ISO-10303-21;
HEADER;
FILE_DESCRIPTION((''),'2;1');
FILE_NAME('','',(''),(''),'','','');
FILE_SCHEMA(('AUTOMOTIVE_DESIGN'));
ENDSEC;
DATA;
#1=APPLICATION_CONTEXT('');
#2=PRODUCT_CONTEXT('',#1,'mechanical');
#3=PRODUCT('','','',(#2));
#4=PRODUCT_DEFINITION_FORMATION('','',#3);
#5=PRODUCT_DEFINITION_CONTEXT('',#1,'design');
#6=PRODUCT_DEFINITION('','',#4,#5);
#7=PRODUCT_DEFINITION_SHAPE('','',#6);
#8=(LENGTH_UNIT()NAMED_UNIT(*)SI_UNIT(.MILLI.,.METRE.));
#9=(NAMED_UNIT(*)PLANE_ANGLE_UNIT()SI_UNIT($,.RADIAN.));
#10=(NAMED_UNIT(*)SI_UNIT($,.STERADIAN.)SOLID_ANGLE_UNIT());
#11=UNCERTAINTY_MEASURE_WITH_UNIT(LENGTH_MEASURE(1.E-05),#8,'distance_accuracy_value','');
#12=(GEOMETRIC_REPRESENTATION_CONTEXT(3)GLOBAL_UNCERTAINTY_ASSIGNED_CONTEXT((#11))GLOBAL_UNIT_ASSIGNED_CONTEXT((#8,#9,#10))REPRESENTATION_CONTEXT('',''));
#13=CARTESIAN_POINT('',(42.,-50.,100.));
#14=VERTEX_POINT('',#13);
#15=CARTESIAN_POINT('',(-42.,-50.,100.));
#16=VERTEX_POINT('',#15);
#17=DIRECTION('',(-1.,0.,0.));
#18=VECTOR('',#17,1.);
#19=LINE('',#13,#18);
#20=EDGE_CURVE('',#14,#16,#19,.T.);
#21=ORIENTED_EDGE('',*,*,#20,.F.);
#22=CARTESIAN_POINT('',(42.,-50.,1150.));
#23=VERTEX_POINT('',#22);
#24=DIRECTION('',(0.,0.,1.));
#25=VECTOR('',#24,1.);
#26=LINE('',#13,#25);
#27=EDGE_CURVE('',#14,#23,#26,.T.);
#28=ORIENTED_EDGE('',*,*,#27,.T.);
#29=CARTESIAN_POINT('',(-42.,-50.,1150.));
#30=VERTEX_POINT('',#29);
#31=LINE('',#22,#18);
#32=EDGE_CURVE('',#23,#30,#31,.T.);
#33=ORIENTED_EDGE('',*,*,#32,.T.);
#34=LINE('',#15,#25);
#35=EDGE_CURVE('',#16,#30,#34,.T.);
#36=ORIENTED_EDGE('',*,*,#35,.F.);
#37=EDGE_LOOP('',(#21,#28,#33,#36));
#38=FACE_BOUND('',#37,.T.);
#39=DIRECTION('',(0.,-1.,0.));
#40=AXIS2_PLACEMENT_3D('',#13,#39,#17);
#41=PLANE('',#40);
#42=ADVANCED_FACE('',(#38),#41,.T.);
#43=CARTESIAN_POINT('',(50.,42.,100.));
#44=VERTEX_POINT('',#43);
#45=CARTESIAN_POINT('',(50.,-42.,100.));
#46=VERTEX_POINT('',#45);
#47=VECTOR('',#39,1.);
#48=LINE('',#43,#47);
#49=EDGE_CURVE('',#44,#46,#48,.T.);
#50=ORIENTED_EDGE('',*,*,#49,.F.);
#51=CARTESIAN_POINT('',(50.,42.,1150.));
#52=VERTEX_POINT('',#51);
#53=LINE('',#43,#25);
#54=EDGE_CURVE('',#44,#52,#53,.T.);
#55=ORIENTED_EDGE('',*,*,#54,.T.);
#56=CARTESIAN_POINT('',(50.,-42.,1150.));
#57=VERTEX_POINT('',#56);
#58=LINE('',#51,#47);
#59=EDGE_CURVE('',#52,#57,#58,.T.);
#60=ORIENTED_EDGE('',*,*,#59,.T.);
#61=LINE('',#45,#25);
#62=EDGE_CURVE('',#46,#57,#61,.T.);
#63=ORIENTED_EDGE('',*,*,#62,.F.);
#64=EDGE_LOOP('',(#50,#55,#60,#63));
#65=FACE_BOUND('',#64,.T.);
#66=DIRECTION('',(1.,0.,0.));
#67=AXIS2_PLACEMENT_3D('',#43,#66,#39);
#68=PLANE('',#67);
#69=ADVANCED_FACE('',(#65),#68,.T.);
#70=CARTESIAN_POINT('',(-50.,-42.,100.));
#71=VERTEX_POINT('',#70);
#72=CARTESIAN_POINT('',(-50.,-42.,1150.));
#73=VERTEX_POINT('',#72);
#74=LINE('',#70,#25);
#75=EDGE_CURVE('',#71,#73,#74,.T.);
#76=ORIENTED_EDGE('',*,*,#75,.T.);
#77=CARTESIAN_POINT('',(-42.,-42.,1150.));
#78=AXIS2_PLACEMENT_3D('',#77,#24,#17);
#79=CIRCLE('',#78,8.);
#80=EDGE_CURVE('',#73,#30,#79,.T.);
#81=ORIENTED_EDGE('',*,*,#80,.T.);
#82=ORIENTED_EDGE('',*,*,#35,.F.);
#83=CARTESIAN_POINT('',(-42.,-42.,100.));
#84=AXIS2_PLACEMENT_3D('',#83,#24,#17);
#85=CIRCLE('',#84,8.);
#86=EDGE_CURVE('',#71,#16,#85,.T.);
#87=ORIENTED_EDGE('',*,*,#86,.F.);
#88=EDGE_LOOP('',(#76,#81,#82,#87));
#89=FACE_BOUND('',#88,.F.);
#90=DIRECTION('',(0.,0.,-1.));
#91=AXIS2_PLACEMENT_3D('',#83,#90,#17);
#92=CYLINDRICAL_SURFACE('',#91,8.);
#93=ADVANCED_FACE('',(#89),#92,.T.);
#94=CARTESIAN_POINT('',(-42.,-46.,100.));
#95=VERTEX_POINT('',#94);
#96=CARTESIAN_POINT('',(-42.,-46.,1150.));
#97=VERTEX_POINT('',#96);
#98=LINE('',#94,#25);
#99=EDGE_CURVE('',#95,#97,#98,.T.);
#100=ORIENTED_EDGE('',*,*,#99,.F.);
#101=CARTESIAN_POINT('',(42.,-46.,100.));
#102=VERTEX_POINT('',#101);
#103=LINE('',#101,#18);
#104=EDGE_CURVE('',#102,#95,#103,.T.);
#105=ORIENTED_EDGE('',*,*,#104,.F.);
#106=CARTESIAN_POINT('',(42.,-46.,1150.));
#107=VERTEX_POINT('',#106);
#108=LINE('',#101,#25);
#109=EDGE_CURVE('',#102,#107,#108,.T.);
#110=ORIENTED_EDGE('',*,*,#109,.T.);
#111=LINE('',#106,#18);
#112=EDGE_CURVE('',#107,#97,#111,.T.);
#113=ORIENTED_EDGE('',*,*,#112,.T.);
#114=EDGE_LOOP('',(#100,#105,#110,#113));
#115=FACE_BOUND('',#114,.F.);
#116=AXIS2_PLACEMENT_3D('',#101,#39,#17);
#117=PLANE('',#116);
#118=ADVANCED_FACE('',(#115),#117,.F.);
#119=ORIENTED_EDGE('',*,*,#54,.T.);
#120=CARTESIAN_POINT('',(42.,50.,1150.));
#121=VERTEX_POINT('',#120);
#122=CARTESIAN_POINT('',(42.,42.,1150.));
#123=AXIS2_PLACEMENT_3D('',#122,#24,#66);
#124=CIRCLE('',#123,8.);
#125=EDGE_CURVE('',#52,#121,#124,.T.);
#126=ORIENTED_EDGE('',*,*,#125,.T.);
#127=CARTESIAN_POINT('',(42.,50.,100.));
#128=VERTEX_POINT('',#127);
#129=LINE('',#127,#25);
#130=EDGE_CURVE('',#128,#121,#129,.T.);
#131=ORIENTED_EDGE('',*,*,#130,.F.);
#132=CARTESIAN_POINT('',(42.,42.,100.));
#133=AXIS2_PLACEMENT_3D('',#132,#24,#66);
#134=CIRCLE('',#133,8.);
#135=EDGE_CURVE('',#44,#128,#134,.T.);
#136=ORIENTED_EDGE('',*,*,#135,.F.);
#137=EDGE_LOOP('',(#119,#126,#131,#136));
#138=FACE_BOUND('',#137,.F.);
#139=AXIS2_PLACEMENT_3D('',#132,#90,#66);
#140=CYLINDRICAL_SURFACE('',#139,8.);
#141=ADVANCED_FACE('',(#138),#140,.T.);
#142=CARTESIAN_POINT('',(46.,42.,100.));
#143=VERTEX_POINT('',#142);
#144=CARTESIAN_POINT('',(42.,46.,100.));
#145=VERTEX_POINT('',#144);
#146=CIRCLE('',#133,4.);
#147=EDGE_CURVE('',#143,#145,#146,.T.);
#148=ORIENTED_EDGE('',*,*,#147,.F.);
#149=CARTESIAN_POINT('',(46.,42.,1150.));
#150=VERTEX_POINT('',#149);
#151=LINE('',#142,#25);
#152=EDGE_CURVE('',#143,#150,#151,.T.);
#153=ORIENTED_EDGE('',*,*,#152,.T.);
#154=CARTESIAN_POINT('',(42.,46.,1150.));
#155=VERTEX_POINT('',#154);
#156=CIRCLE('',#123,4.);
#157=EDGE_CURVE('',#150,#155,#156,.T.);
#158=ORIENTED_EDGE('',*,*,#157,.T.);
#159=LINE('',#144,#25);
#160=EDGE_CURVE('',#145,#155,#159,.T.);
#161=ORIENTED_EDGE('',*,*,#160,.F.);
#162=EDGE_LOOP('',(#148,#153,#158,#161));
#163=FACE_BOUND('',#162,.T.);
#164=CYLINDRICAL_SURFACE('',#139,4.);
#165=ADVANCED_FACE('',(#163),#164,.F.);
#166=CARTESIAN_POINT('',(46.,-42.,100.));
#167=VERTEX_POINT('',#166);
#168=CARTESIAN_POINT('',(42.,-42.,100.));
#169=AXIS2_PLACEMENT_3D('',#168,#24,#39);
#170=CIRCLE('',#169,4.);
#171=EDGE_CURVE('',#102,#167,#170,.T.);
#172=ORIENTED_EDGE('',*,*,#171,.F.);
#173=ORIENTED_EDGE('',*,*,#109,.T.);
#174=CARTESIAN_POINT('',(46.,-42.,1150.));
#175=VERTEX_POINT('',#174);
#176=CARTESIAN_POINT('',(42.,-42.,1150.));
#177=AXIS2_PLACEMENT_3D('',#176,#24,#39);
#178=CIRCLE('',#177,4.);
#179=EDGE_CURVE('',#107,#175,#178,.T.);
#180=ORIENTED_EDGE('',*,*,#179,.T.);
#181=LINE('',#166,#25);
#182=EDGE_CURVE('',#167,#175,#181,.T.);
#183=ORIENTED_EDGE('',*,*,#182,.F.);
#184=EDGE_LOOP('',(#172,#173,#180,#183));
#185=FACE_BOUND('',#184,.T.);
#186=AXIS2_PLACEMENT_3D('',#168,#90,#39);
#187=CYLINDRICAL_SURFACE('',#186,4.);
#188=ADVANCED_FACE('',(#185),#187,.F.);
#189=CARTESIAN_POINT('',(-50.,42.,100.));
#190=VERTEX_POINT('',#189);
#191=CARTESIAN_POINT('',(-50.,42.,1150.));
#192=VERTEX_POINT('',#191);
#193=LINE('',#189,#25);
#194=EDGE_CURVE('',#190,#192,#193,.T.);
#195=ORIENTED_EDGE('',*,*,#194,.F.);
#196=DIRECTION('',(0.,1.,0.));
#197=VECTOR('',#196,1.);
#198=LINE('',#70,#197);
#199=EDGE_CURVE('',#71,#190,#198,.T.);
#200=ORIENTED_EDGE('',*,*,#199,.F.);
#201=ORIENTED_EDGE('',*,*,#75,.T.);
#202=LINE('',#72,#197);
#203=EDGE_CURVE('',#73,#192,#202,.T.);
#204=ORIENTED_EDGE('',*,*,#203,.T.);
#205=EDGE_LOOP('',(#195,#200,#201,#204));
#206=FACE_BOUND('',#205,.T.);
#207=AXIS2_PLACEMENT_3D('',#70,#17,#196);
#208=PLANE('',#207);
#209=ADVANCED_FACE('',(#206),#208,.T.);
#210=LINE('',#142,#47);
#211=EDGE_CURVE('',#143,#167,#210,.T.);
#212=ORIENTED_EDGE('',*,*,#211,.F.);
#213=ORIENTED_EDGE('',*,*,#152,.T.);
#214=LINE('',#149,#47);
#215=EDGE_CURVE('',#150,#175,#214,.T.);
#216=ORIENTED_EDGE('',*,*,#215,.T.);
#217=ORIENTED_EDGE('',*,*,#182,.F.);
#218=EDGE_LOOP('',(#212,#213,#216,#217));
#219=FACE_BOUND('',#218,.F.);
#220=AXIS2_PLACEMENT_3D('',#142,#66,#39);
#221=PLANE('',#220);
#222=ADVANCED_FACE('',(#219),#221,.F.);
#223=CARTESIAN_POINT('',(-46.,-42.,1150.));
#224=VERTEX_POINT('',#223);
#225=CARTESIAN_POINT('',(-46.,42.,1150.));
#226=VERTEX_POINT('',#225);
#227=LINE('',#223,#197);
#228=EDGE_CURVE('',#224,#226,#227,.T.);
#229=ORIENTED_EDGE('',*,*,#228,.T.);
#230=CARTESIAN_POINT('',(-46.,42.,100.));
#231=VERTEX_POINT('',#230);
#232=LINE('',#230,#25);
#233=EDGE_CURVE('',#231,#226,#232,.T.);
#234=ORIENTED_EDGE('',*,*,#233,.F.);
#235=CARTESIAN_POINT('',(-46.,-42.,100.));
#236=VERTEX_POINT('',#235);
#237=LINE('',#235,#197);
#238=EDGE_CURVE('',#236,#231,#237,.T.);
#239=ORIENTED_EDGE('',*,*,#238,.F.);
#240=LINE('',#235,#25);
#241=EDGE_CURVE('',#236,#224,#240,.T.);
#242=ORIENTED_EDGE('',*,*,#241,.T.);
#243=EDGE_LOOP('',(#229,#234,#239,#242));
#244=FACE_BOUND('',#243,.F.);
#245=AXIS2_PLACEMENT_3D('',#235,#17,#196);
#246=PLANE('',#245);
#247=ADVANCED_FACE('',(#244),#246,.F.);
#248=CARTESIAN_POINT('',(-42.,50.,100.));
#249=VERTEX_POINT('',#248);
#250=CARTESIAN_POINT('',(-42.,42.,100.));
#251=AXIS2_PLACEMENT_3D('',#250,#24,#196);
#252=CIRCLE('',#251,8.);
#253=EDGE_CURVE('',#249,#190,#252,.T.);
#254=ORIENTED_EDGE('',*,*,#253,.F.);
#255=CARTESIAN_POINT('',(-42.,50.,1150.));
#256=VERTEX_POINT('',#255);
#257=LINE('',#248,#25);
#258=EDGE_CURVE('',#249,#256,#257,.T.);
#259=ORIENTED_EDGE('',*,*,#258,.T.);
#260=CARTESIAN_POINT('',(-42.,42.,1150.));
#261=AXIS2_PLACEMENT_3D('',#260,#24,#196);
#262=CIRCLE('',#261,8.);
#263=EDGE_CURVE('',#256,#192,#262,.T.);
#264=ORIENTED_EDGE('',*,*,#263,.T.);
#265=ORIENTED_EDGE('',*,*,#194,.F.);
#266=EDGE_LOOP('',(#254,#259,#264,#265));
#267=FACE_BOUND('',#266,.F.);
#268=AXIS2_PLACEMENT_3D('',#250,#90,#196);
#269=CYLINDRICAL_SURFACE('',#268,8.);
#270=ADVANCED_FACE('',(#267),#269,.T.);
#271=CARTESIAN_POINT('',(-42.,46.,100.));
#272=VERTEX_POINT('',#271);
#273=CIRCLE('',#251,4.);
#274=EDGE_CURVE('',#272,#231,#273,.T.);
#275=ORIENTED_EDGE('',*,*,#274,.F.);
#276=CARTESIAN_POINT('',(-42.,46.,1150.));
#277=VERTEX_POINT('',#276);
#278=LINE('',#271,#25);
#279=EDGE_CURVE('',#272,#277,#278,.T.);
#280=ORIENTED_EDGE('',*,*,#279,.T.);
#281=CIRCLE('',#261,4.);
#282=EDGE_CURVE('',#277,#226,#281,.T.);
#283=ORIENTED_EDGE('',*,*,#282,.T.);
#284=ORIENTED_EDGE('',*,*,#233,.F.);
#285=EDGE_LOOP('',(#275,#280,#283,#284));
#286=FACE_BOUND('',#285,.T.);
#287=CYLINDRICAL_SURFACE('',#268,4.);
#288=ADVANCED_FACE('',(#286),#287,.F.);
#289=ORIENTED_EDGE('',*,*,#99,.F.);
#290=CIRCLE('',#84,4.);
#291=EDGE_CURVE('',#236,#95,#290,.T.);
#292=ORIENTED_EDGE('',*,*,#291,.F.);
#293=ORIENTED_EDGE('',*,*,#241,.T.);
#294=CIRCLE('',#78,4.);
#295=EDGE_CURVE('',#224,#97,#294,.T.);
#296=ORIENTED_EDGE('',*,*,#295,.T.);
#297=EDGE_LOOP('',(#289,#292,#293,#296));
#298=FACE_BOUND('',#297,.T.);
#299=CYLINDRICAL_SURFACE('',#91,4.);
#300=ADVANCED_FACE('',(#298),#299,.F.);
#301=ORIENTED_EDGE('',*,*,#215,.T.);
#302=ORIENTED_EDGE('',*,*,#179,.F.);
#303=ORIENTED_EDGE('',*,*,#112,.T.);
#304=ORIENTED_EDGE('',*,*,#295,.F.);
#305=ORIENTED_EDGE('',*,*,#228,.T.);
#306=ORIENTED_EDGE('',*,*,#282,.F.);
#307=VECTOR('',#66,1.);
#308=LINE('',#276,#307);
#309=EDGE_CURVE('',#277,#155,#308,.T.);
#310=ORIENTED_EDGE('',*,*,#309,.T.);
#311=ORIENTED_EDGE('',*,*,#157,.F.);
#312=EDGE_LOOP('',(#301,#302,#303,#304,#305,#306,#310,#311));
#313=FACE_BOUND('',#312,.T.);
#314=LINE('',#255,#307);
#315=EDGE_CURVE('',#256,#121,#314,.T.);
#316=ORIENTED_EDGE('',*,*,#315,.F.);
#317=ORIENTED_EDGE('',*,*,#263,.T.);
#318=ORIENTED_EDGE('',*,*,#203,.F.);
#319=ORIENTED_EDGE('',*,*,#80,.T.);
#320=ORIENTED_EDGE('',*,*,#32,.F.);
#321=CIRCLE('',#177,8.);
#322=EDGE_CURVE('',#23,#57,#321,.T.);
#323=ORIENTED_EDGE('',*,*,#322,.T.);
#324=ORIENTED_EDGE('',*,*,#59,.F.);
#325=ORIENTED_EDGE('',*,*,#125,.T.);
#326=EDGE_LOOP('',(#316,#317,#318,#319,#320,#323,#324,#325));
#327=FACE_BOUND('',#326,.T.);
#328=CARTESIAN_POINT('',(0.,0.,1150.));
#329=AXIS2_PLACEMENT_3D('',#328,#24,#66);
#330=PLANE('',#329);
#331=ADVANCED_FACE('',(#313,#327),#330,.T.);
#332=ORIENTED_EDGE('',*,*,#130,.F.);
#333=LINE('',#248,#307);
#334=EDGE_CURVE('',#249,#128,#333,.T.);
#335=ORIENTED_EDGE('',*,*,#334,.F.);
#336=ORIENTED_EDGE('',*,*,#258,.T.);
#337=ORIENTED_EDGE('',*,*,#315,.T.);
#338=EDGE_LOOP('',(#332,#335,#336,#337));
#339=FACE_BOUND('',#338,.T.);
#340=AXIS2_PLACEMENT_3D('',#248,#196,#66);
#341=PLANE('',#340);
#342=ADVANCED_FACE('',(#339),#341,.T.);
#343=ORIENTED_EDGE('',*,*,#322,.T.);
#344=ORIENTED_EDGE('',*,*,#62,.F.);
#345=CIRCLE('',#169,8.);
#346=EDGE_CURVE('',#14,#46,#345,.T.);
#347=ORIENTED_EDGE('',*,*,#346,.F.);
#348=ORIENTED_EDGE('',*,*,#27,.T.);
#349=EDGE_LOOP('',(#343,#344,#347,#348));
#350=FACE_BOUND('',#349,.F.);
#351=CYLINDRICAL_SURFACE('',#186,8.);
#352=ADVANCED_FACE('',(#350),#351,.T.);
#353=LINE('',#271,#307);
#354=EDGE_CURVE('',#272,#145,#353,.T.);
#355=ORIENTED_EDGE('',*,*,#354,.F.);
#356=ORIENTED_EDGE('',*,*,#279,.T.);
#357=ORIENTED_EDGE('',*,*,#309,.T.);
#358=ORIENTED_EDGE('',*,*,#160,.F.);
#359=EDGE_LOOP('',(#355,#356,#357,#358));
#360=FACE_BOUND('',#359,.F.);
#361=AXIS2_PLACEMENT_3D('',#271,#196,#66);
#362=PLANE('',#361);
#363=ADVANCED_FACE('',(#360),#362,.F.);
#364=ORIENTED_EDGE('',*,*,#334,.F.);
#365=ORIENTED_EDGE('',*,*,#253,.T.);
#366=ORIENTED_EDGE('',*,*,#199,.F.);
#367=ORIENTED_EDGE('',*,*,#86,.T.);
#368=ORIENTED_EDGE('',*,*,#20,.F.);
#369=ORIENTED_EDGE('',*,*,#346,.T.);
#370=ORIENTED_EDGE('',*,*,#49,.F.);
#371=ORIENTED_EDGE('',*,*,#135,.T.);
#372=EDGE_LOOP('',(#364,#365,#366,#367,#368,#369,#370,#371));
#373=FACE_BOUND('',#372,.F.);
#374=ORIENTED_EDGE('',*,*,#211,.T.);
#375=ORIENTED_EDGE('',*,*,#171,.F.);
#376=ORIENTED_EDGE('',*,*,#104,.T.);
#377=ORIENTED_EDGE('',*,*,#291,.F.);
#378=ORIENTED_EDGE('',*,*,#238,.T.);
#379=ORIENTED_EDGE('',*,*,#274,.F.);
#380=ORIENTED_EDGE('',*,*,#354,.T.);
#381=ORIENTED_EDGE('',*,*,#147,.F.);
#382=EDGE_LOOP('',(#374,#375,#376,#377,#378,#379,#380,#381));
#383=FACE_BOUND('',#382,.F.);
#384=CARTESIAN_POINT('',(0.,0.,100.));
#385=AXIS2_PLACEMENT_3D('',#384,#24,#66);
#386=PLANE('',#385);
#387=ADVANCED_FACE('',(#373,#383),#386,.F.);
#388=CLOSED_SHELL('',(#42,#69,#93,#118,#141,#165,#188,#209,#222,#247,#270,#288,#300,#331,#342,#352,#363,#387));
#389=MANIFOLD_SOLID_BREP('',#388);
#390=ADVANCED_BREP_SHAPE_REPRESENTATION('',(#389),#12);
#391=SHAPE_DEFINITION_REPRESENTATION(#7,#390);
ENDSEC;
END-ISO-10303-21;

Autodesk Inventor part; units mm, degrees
ref_plane "YZ Plane" through (0, 0, 0) normal (1, 0, 0) x (0, 1, 0)
ref_plane "Start Plane" through (0, 0, 100) normal (0, 0, 1) x (1, 0, 0)
ref_plane "End Plane" through (0, 0, 1150) normal (0, 0, 1) x (1, 0, 0)
sketch "Sketch" plane through (0, 0, 0) normal (0, 0, 1) x (1, 0, 0)
  line L0 (-50, -42) -> (-50, 42)
  line L1 (-42, 50) -> (42, 50)
  line L2 (50, 42) -> (50, -42)
  line L3 (42, -50) -> (-42, -50)
  arc A0 (-50, -42) -> (-42, -50) centre (-42, -42) ccw
  arc A1 (50, 42) -> (42, 50) centre (42, 42) ccw
  arc A2 (-42, 50) -> (-50, 42) centre (-42, 42) ccw
  arc A3 (42, -50) -> (50, -42) centre (42, -42) ccw
  arc A4 (-42, 46) -> (-46, 42) centre (-42, 42) ccw
  line L4 (-42, 46) -> (42, 46)
  arc A5 (46, 42) -> (42, 46) centre (42, 42) ccw
  line L5 (46, 42) -> (46, -42)
  arc A6 (42, -46) -> (46, -42) centre (42, -42) ccw
  line L6 (42, -46) -> (-42, -46)
  arc A7 (-46, -42) -> (-42, -46) centre (-42, -42) ccw
  line L7 (-46, -42) -> (-46, 42)
  line L8 (0, 72.3196) -> (0, -72.3196) construction
  line L9 (-72.3196, 0) -> (72.3196, 0) construction
  dimension "d7" = 8
  dimension "d9" = 100
  dimension "d11" = 100
  dimension "d12" = 4
  dimension "d15" = 50
  dimension "d16" = 50
extrude "Body" add sketch "Sketch" along normal up to surface (1050 mm away) from surface at 100
sketch "Sketch3" plane through (0, 0, 0) normal (0, 0, 1) x (1, 0, 0)
  line L0 (0, 0) -> (10, 0)
ref_plane "Work Plane3" through (0, 0, 0) normal (0, -1, 0) x (1, 0, 0)
sketch "Sketch4" plane through (0, 0, 0) normal (0, -1, 0) x (1, 0, 0)
  line L0 (-2, 100) -> (12, 100) projected
  line L1 (-2, 1150) -> (12, 1150) projected
  dimension "d18" = 1050
equation "\"d7\" = G_IR"
equation "\"d9\" = G_W"
equation "\"d11\" = G_H"
equation "\"d12\" = G_T"
equation "\"d15\" = 0.5 * d9"
equation "\"d16\" = 0.5 * d11"
equation "\"d3\" = G_L"
equation "\"G_W\" = 100"
equation "\"G_H\" = 100"
equation "\"G_T\" = 4"
equation "\"G_IR\" = 8"
equation "\"G_L\" = d18"
properties part number "ISO 10799-2 - 100x100x4 - 1050" material "Steel, Mild"
